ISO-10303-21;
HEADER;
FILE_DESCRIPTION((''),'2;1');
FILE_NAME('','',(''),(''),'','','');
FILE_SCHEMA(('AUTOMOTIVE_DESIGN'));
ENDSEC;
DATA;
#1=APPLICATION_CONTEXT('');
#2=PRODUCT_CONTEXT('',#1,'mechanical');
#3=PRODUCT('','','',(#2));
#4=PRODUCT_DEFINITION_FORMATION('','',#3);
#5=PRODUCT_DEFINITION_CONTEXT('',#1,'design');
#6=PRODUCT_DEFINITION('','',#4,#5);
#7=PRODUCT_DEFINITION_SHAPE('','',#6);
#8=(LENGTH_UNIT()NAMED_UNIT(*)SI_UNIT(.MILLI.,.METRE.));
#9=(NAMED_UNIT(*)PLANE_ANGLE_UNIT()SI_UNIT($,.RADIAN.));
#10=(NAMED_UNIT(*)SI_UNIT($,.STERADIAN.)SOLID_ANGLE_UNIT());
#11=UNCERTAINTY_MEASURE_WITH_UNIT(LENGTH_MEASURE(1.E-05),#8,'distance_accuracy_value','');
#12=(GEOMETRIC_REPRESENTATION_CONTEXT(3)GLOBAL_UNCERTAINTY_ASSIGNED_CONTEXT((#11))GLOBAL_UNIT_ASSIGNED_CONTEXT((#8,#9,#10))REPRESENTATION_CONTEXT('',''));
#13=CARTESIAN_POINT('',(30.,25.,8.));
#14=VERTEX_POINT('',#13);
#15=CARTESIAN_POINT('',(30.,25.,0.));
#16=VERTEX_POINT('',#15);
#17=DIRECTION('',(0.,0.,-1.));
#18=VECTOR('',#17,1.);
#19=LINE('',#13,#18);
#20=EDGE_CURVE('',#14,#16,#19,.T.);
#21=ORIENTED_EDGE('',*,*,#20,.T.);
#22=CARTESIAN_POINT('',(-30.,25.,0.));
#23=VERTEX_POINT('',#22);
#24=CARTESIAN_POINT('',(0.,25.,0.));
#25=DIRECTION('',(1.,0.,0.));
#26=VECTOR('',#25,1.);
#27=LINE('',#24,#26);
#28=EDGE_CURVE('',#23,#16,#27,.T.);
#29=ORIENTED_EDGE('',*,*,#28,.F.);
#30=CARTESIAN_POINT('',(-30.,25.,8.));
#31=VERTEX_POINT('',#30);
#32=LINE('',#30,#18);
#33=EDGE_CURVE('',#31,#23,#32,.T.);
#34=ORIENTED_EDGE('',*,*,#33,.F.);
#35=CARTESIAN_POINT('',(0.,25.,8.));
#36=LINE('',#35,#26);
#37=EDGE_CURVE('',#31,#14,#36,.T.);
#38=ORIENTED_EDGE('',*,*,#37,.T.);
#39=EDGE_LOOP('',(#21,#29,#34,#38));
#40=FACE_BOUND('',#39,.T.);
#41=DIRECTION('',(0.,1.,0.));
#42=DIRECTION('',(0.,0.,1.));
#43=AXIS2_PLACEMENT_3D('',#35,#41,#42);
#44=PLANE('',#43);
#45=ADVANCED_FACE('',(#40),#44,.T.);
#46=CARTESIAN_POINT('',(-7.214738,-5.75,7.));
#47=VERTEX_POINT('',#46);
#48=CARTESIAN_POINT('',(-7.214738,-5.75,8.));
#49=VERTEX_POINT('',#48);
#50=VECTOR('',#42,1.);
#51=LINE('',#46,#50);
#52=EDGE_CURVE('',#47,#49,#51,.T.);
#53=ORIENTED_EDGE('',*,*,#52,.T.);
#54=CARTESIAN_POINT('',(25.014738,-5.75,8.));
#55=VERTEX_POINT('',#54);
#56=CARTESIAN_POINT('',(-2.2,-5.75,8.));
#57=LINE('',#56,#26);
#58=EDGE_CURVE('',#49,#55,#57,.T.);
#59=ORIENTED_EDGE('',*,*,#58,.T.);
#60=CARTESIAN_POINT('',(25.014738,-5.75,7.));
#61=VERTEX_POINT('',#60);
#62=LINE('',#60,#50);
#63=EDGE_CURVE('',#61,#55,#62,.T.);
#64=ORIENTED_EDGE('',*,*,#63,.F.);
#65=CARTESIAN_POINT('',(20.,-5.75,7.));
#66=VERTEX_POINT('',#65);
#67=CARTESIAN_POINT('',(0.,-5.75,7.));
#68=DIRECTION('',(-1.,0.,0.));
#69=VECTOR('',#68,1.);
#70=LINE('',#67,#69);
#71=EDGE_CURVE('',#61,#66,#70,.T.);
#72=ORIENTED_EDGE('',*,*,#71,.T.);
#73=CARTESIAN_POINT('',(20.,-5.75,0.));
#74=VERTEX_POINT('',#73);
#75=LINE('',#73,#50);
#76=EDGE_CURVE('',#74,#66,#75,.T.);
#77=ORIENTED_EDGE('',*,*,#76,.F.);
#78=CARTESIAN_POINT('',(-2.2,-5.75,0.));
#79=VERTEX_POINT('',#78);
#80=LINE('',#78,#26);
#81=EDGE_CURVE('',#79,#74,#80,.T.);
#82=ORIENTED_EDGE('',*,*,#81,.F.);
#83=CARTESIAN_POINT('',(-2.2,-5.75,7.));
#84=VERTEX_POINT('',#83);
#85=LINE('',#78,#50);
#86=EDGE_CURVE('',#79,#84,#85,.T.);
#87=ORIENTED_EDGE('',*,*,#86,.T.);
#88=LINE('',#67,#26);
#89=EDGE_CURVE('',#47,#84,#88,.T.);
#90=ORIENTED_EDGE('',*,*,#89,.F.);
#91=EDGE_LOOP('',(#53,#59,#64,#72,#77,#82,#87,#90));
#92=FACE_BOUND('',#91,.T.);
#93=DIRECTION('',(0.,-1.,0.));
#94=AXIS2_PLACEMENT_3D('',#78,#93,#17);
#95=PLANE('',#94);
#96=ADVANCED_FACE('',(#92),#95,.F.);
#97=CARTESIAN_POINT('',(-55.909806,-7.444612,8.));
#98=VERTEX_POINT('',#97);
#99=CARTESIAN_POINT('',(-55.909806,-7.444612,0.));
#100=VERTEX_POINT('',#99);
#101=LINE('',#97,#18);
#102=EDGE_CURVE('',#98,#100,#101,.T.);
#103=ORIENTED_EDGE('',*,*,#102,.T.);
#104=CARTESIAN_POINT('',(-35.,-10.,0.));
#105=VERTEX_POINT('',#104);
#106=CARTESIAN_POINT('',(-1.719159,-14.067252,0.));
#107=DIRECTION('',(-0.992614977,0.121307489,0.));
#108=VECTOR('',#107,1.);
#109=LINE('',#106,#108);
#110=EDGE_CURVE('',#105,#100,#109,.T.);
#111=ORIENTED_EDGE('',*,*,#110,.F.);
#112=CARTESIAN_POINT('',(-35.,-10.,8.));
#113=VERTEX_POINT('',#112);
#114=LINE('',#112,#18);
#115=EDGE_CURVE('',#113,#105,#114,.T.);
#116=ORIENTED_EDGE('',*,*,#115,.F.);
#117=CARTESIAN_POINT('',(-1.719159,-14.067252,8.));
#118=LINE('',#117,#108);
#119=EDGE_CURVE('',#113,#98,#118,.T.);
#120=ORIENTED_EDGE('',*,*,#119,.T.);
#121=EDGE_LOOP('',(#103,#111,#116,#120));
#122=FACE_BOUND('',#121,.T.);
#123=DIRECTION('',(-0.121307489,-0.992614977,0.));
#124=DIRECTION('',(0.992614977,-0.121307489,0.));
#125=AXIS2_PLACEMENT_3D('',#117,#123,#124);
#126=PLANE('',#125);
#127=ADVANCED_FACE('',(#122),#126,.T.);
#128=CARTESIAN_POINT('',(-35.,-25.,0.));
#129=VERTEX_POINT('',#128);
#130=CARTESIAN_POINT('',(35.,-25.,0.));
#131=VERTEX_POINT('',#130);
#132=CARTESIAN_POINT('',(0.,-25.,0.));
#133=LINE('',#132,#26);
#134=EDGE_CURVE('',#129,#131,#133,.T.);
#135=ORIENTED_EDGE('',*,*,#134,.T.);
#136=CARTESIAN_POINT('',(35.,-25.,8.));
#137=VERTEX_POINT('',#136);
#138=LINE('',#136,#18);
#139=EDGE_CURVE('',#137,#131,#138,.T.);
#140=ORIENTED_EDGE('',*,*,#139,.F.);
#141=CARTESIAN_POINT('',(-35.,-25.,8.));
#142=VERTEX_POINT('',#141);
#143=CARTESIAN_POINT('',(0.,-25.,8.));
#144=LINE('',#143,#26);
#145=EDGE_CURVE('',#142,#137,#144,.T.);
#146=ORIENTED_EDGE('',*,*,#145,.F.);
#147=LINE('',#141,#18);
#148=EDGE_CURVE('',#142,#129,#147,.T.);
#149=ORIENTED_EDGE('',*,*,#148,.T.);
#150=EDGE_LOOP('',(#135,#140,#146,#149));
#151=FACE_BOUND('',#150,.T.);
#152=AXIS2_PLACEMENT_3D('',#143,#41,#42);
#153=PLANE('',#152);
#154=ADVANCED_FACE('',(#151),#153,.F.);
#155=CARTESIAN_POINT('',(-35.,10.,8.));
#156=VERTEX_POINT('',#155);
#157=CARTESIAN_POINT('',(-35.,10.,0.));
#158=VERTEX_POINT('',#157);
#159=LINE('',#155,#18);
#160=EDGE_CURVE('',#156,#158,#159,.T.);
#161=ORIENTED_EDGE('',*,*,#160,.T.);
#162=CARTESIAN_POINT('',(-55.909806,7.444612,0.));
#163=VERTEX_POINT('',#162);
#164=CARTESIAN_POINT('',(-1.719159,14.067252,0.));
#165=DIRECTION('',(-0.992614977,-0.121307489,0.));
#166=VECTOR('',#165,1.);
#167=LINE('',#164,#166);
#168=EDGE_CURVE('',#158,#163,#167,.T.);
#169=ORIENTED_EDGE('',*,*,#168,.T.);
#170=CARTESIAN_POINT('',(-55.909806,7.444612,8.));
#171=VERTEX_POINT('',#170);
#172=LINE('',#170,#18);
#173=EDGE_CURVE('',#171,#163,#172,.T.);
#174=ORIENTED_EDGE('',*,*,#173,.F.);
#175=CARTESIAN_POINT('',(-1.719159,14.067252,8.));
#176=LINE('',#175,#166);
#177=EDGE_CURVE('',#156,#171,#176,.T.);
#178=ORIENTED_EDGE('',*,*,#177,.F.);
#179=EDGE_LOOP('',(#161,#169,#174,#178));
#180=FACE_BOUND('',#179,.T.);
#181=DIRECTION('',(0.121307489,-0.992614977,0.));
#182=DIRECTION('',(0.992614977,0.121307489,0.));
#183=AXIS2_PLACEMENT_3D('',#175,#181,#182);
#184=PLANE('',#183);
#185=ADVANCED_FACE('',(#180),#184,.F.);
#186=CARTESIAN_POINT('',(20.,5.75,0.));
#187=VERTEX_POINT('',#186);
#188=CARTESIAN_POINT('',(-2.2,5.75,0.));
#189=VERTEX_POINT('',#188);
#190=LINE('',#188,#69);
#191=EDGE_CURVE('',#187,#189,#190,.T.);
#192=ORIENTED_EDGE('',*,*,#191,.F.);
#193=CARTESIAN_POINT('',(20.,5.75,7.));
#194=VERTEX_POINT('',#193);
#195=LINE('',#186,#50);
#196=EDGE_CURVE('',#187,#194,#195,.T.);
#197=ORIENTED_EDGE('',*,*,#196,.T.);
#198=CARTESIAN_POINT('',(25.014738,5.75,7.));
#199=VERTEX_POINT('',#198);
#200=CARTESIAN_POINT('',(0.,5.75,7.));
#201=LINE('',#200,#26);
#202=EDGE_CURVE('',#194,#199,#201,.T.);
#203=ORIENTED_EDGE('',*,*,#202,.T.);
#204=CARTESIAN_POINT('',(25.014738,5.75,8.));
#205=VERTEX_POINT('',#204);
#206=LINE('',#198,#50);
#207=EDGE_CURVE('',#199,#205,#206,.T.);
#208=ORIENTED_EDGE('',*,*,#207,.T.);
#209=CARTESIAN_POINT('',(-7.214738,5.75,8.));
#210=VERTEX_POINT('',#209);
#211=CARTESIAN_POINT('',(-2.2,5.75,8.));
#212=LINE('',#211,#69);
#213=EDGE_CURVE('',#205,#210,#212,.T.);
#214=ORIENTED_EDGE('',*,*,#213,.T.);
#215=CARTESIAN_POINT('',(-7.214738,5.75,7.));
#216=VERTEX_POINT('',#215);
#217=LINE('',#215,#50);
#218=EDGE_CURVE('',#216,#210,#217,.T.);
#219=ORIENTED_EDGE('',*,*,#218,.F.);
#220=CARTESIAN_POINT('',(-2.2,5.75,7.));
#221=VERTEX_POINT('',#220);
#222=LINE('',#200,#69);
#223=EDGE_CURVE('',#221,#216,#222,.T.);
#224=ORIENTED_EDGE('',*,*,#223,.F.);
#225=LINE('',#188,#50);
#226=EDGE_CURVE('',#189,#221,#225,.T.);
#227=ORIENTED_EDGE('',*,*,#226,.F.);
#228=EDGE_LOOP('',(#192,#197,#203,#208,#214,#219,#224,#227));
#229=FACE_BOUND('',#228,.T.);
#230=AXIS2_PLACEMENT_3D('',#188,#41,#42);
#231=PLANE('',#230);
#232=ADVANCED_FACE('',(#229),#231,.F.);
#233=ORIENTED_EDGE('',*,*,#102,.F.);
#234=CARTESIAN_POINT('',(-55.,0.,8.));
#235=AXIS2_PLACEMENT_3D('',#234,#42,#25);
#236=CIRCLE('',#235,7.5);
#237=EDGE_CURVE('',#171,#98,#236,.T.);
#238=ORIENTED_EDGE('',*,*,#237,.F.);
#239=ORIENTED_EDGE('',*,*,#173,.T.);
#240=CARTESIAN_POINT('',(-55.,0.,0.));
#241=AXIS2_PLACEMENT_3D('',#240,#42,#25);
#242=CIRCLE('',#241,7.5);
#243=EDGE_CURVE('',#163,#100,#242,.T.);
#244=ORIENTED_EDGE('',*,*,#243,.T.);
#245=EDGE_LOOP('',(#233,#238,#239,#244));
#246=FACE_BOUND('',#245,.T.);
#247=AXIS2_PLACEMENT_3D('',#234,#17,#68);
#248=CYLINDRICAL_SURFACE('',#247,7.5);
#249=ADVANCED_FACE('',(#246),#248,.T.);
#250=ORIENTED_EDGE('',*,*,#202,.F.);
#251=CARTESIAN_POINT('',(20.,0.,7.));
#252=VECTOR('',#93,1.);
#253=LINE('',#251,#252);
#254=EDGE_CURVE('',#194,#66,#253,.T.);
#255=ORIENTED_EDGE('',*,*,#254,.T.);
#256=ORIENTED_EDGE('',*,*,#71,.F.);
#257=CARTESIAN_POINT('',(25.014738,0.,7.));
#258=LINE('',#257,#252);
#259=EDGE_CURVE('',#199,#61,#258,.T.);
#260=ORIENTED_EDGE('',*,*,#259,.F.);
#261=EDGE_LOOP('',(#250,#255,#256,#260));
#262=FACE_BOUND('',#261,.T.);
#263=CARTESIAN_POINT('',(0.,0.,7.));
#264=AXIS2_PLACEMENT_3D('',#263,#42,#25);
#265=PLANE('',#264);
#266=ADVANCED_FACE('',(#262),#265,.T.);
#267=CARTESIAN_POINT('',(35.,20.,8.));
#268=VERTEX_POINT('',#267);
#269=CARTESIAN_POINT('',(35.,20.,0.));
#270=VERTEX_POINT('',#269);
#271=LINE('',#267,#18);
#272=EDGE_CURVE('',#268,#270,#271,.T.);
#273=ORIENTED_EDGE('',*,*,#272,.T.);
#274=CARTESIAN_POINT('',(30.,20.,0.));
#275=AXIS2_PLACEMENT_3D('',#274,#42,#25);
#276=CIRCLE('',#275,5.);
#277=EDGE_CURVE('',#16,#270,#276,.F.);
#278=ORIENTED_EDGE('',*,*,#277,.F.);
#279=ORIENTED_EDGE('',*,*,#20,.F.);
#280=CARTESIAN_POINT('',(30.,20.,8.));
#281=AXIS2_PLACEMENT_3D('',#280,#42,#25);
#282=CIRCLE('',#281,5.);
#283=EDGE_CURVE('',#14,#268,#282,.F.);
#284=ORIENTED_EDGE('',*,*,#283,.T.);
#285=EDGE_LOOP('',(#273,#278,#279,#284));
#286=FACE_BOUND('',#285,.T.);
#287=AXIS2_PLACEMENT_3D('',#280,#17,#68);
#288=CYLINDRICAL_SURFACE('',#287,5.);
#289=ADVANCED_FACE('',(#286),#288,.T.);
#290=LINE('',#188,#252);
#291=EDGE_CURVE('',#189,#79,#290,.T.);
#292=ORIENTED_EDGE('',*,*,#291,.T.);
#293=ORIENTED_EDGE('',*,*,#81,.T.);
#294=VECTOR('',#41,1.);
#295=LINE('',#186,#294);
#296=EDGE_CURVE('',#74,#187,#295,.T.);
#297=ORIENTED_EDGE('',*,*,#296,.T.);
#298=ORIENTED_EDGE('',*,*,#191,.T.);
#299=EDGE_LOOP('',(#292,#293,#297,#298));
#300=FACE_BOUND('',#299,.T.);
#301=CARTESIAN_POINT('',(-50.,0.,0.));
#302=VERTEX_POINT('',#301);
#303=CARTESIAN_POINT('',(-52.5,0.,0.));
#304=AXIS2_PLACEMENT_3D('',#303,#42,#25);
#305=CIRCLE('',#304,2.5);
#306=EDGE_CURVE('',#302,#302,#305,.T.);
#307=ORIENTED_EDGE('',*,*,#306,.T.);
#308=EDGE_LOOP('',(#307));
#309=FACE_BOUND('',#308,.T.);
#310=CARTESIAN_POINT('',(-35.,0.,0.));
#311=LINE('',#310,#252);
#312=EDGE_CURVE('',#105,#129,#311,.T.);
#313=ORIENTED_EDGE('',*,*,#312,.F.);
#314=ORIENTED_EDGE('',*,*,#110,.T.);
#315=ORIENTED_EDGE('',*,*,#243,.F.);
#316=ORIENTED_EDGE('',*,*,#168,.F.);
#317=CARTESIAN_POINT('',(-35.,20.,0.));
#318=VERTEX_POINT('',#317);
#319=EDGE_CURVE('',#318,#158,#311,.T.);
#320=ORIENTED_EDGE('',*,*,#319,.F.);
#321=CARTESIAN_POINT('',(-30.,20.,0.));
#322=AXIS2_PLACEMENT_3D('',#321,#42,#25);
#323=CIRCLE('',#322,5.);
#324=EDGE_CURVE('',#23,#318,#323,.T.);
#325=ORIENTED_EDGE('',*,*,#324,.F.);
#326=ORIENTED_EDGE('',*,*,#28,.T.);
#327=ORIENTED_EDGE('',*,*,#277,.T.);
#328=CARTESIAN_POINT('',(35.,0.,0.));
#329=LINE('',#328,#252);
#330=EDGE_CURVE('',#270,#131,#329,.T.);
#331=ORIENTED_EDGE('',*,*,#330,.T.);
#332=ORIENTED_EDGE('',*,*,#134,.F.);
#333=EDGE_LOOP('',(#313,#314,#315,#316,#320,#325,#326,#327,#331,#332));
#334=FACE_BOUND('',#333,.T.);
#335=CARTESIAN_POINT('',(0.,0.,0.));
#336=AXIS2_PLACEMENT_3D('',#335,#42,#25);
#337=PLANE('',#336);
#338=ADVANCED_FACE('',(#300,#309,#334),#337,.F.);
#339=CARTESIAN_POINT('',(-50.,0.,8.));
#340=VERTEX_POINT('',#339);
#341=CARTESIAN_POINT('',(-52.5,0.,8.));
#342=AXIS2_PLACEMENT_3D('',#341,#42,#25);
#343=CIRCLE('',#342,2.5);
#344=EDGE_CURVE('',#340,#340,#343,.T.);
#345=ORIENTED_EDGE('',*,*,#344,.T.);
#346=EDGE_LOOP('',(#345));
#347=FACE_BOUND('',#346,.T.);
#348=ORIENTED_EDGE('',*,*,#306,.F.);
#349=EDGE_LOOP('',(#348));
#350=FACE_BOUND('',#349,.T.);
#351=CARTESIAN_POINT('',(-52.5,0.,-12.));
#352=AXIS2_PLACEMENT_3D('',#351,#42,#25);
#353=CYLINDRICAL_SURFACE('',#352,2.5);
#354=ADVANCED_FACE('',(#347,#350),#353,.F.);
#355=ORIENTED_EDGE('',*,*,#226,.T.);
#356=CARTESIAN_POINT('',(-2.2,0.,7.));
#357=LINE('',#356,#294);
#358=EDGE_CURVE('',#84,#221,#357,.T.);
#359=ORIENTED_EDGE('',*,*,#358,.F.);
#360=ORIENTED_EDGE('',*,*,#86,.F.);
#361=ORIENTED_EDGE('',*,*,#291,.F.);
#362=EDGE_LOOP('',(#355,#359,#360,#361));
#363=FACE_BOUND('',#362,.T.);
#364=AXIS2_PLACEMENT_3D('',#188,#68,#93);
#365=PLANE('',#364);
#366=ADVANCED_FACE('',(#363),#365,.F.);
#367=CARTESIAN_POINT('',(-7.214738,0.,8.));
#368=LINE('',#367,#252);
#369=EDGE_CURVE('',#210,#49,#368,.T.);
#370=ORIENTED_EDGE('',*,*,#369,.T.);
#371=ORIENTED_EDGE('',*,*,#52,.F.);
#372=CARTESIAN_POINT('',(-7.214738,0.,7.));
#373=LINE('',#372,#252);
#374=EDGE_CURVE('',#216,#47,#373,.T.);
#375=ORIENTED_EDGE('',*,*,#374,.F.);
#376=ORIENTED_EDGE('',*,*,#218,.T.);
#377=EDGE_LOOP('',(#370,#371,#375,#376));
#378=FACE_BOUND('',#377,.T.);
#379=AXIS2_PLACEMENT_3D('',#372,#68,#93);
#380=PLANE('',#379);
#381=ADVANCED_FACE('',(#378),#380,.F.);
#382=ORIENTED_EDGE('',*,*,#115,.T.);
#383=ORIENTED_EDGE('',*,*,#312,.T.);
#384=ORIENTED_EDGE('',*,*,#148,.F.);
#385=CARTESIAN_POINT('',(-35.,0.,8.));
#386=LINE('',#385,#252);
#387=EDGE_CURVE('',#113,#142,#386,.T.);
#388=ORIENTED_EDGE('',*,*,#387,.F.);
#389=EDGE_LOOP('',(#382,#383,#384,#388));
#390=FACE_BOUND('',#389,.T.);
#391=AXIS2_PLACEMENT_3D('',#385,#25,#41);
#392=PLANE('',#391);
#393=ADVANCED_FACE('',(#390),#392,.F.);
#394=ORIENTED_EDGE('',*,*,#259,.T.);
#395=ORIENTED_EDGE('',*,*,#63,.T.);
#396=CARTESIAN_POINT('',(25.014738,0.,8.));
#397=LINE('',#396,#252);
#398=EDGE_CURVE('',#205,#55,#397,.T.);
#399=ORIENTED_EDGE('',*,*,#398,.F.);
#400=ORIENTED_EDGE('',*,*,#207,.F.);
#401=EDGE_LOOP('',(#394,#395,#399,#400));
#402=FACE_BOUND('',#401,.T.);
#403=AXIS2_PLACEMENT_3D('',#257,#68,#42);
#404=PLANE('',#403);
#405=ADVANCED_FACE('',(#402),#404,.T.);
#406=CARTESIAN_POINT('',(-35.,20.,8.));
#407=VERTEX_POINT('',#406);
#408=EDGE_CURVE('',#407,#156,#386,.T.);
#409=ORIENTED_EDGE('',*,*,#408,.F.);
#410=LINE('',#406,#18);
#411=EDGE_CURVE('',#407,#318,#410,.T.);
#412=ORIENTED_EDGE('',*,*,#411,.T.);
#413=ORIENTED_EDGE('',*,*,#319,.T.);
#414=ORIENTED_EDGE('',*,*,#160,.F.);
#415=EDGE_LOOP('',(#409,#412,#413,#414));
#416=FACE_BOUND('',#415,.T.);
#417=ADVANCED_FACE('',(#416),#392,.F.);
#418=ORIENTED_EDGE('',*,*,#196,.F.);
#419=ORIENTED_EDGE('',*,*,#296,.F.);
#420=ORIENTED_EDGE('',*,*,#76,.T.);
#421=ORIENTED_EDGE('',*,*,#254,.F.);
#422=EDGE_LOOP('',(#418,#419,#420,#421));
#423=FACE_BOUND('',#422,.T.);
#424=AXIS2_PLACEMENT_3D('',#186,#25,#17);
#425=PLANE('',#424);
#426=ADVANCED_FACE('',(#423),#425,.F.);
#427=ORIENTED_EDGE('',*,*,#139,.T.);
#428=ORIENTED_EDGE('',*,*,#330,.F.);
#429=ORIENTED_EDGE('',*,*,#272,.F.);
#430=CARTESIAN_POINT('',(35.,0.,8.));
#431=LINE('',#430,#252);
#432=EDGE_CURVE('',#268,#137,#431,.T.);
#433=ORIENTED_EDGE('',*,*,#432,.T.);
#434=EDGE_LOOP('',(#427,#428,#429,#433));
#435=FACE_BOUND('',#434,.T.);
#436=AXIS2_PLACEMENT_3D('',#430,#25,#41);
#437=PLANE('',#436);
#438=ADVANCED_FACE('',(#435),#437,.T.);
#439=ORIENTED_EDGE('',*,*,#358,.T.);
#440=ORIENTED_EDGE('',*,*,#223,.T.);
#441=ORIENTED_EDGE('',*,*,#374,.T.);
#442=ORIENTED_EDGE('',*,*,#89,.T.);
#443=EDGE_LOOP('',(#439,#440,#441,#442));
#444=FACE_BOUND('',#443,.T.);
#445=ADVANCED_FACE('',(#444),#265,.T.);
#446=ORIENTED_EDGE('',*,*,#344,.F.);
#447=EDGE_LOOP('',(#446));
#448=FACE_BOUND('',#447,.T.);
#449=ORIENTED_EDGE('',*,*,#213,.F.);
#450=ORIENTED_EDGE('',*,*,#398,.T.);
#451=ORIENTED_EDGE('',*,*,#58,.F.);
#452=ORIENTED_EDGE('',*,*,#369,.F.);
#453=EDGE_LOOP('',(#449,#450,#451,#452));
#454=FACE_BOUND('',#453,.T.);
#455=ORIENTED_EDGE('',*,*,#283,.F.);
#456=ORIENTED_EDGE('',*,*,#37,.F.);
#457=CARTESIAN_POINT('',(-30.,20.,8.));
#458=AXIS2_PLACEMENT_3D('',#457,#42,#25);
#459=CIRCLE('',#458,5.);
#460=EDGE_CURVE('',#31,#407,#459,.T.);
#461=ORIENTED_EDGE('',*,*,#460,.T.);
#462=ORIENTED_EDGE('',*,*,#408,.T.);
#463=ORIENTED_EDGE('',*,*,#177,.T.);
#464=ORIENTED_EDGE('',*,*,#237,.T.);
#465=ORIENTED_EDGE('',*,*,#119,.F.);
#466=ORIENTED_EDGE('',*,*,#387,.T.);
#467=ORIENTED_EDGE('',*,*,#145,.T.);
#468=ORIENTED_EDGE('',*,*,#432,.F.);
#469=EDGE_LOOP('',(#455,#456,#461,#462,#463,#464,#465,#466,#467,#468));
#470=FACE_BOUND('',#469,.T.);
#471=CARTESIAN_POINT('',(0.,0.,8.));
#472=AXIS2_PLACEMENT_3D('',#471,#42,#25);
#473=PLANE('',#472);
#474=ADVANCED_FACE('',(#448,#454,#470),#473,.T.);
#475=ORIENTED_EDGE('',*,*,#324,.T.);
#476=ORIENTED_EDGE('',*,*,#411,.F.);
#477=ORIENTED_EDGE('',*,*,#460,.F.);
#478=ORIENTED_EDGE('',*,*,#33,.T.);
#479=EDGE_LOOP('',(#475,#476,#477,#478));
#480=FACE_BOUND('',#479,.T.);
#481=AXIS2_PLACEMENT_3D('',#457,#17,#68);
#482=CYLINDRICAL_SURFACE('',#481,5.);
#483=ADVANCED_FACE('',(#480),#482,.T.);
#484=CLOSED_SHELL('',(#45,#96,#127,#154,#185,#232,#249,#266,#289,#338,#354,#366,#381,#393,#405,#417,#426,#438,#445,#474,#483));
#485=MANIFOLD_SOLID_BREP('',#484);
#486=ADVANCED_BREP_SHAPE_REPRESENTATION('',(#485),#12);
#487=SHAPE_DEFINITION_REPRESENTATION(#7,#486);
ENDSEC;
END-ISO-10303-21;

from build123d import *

# Parameters (mm, degrees)
BOSS_EXTRUDE1_DEPTH = 8
SKETCH3_W           = 22.2
SKETCH3_H           = 11.5
CUT_EXTRUDE1_DEPTH  = 8
SKETCH4_R           = 2.5
CUT_EXTRUDE2_DEPTH  = 20
SKETCH6_W           = 5.014738262
SKETCH6_H           = 11.5
CUT_EXTRUDE3_DEPTH  = 1


with BuildPart() as part:
    # Sketch1 → Boss-Extrude1 (new body)
    with BuildSketch(Plane.XY):
        with BuildLine():
            Line((-35, 20), (-35, 10))
            Line((-35, 10), (-55.909806165, 7.44461233))
            ThreePointArc((-55.909806165, 7.44461233), (-50.028760026, 5.615761134), (-47.5, 0))
            ThreePointArc((-47.5, 0), (-50.028760026, -5.615761134), (-55.909806165, -7.44461233))
            Line((-55.909806165, -7.44461233), (-35, -10))
            Line((-35, -10), (-35, -25))
            Line((-35, -25), (35, -25))
            Line((35, -25), (35, 20))
            ThreePointArc((35, 20), (33.535533906, 23.535533906), (30, 25))
            Line((30, 25), (-30, 25))
            ThreePointArc((-30, 25), (-33.535533906, 23.535533906), (-35, 20))
        make_face()
        with BuildLine():
            ThreePointArc((-47.5, 0), (-50.028760026, 5.615761134), (-55.909806165, 7.44461233))
            ThreePointArc((-55.909806165, 7.44461233), (-62.5, 0), (-55.909806165, -7.44461233))
            ThreePointArc((-55.909806165, -7.44461233), (-50.028760026, -5.615761134), (-47.5, 0))
        make_face()
    extrude(amount=BOSS_EXTRUDE1_DEPTH)

    # Sketch3 → Cut-Extrude1 (cut)
    with BuildSketch(Plane.XY.offset(8)):
        with Locations((8.9, 0)):
            Rectangle(SKETCH3_W, SKETCH3_H)
    extrude(amount=-CUT_EXTRUDE1_DEPTH, mode=Mode.SUBTRACT)

    # Sketch4 → Cut-Extrude2 (cut)
    with BuildSketch(Plane.XY.offset(8)):
        with Locations((-52.5, 0)):
            Circle(SKETCH4_R)
    extrude(amount=-CUT_EXTRUDE2_DEPTH, mode=Mode.SUBTRACT)

    # Sketch6 → Cut-Extrude3 (cut)
    with BuildSketch(Plane.XY.offset(8)):
        with Locations((-4.707369131, 0)):
            Rectangle(SKETCH6_W, SKETCH6_H)
        with Locations((22.507369131, 0)):
            Rectangle(SKETCH6_W, SKETCH6_H)
    extrude(amount=-CUT_EXTRUDE3_DEPTH, mode=Mode.SUBTRACT)


solid = part.part
